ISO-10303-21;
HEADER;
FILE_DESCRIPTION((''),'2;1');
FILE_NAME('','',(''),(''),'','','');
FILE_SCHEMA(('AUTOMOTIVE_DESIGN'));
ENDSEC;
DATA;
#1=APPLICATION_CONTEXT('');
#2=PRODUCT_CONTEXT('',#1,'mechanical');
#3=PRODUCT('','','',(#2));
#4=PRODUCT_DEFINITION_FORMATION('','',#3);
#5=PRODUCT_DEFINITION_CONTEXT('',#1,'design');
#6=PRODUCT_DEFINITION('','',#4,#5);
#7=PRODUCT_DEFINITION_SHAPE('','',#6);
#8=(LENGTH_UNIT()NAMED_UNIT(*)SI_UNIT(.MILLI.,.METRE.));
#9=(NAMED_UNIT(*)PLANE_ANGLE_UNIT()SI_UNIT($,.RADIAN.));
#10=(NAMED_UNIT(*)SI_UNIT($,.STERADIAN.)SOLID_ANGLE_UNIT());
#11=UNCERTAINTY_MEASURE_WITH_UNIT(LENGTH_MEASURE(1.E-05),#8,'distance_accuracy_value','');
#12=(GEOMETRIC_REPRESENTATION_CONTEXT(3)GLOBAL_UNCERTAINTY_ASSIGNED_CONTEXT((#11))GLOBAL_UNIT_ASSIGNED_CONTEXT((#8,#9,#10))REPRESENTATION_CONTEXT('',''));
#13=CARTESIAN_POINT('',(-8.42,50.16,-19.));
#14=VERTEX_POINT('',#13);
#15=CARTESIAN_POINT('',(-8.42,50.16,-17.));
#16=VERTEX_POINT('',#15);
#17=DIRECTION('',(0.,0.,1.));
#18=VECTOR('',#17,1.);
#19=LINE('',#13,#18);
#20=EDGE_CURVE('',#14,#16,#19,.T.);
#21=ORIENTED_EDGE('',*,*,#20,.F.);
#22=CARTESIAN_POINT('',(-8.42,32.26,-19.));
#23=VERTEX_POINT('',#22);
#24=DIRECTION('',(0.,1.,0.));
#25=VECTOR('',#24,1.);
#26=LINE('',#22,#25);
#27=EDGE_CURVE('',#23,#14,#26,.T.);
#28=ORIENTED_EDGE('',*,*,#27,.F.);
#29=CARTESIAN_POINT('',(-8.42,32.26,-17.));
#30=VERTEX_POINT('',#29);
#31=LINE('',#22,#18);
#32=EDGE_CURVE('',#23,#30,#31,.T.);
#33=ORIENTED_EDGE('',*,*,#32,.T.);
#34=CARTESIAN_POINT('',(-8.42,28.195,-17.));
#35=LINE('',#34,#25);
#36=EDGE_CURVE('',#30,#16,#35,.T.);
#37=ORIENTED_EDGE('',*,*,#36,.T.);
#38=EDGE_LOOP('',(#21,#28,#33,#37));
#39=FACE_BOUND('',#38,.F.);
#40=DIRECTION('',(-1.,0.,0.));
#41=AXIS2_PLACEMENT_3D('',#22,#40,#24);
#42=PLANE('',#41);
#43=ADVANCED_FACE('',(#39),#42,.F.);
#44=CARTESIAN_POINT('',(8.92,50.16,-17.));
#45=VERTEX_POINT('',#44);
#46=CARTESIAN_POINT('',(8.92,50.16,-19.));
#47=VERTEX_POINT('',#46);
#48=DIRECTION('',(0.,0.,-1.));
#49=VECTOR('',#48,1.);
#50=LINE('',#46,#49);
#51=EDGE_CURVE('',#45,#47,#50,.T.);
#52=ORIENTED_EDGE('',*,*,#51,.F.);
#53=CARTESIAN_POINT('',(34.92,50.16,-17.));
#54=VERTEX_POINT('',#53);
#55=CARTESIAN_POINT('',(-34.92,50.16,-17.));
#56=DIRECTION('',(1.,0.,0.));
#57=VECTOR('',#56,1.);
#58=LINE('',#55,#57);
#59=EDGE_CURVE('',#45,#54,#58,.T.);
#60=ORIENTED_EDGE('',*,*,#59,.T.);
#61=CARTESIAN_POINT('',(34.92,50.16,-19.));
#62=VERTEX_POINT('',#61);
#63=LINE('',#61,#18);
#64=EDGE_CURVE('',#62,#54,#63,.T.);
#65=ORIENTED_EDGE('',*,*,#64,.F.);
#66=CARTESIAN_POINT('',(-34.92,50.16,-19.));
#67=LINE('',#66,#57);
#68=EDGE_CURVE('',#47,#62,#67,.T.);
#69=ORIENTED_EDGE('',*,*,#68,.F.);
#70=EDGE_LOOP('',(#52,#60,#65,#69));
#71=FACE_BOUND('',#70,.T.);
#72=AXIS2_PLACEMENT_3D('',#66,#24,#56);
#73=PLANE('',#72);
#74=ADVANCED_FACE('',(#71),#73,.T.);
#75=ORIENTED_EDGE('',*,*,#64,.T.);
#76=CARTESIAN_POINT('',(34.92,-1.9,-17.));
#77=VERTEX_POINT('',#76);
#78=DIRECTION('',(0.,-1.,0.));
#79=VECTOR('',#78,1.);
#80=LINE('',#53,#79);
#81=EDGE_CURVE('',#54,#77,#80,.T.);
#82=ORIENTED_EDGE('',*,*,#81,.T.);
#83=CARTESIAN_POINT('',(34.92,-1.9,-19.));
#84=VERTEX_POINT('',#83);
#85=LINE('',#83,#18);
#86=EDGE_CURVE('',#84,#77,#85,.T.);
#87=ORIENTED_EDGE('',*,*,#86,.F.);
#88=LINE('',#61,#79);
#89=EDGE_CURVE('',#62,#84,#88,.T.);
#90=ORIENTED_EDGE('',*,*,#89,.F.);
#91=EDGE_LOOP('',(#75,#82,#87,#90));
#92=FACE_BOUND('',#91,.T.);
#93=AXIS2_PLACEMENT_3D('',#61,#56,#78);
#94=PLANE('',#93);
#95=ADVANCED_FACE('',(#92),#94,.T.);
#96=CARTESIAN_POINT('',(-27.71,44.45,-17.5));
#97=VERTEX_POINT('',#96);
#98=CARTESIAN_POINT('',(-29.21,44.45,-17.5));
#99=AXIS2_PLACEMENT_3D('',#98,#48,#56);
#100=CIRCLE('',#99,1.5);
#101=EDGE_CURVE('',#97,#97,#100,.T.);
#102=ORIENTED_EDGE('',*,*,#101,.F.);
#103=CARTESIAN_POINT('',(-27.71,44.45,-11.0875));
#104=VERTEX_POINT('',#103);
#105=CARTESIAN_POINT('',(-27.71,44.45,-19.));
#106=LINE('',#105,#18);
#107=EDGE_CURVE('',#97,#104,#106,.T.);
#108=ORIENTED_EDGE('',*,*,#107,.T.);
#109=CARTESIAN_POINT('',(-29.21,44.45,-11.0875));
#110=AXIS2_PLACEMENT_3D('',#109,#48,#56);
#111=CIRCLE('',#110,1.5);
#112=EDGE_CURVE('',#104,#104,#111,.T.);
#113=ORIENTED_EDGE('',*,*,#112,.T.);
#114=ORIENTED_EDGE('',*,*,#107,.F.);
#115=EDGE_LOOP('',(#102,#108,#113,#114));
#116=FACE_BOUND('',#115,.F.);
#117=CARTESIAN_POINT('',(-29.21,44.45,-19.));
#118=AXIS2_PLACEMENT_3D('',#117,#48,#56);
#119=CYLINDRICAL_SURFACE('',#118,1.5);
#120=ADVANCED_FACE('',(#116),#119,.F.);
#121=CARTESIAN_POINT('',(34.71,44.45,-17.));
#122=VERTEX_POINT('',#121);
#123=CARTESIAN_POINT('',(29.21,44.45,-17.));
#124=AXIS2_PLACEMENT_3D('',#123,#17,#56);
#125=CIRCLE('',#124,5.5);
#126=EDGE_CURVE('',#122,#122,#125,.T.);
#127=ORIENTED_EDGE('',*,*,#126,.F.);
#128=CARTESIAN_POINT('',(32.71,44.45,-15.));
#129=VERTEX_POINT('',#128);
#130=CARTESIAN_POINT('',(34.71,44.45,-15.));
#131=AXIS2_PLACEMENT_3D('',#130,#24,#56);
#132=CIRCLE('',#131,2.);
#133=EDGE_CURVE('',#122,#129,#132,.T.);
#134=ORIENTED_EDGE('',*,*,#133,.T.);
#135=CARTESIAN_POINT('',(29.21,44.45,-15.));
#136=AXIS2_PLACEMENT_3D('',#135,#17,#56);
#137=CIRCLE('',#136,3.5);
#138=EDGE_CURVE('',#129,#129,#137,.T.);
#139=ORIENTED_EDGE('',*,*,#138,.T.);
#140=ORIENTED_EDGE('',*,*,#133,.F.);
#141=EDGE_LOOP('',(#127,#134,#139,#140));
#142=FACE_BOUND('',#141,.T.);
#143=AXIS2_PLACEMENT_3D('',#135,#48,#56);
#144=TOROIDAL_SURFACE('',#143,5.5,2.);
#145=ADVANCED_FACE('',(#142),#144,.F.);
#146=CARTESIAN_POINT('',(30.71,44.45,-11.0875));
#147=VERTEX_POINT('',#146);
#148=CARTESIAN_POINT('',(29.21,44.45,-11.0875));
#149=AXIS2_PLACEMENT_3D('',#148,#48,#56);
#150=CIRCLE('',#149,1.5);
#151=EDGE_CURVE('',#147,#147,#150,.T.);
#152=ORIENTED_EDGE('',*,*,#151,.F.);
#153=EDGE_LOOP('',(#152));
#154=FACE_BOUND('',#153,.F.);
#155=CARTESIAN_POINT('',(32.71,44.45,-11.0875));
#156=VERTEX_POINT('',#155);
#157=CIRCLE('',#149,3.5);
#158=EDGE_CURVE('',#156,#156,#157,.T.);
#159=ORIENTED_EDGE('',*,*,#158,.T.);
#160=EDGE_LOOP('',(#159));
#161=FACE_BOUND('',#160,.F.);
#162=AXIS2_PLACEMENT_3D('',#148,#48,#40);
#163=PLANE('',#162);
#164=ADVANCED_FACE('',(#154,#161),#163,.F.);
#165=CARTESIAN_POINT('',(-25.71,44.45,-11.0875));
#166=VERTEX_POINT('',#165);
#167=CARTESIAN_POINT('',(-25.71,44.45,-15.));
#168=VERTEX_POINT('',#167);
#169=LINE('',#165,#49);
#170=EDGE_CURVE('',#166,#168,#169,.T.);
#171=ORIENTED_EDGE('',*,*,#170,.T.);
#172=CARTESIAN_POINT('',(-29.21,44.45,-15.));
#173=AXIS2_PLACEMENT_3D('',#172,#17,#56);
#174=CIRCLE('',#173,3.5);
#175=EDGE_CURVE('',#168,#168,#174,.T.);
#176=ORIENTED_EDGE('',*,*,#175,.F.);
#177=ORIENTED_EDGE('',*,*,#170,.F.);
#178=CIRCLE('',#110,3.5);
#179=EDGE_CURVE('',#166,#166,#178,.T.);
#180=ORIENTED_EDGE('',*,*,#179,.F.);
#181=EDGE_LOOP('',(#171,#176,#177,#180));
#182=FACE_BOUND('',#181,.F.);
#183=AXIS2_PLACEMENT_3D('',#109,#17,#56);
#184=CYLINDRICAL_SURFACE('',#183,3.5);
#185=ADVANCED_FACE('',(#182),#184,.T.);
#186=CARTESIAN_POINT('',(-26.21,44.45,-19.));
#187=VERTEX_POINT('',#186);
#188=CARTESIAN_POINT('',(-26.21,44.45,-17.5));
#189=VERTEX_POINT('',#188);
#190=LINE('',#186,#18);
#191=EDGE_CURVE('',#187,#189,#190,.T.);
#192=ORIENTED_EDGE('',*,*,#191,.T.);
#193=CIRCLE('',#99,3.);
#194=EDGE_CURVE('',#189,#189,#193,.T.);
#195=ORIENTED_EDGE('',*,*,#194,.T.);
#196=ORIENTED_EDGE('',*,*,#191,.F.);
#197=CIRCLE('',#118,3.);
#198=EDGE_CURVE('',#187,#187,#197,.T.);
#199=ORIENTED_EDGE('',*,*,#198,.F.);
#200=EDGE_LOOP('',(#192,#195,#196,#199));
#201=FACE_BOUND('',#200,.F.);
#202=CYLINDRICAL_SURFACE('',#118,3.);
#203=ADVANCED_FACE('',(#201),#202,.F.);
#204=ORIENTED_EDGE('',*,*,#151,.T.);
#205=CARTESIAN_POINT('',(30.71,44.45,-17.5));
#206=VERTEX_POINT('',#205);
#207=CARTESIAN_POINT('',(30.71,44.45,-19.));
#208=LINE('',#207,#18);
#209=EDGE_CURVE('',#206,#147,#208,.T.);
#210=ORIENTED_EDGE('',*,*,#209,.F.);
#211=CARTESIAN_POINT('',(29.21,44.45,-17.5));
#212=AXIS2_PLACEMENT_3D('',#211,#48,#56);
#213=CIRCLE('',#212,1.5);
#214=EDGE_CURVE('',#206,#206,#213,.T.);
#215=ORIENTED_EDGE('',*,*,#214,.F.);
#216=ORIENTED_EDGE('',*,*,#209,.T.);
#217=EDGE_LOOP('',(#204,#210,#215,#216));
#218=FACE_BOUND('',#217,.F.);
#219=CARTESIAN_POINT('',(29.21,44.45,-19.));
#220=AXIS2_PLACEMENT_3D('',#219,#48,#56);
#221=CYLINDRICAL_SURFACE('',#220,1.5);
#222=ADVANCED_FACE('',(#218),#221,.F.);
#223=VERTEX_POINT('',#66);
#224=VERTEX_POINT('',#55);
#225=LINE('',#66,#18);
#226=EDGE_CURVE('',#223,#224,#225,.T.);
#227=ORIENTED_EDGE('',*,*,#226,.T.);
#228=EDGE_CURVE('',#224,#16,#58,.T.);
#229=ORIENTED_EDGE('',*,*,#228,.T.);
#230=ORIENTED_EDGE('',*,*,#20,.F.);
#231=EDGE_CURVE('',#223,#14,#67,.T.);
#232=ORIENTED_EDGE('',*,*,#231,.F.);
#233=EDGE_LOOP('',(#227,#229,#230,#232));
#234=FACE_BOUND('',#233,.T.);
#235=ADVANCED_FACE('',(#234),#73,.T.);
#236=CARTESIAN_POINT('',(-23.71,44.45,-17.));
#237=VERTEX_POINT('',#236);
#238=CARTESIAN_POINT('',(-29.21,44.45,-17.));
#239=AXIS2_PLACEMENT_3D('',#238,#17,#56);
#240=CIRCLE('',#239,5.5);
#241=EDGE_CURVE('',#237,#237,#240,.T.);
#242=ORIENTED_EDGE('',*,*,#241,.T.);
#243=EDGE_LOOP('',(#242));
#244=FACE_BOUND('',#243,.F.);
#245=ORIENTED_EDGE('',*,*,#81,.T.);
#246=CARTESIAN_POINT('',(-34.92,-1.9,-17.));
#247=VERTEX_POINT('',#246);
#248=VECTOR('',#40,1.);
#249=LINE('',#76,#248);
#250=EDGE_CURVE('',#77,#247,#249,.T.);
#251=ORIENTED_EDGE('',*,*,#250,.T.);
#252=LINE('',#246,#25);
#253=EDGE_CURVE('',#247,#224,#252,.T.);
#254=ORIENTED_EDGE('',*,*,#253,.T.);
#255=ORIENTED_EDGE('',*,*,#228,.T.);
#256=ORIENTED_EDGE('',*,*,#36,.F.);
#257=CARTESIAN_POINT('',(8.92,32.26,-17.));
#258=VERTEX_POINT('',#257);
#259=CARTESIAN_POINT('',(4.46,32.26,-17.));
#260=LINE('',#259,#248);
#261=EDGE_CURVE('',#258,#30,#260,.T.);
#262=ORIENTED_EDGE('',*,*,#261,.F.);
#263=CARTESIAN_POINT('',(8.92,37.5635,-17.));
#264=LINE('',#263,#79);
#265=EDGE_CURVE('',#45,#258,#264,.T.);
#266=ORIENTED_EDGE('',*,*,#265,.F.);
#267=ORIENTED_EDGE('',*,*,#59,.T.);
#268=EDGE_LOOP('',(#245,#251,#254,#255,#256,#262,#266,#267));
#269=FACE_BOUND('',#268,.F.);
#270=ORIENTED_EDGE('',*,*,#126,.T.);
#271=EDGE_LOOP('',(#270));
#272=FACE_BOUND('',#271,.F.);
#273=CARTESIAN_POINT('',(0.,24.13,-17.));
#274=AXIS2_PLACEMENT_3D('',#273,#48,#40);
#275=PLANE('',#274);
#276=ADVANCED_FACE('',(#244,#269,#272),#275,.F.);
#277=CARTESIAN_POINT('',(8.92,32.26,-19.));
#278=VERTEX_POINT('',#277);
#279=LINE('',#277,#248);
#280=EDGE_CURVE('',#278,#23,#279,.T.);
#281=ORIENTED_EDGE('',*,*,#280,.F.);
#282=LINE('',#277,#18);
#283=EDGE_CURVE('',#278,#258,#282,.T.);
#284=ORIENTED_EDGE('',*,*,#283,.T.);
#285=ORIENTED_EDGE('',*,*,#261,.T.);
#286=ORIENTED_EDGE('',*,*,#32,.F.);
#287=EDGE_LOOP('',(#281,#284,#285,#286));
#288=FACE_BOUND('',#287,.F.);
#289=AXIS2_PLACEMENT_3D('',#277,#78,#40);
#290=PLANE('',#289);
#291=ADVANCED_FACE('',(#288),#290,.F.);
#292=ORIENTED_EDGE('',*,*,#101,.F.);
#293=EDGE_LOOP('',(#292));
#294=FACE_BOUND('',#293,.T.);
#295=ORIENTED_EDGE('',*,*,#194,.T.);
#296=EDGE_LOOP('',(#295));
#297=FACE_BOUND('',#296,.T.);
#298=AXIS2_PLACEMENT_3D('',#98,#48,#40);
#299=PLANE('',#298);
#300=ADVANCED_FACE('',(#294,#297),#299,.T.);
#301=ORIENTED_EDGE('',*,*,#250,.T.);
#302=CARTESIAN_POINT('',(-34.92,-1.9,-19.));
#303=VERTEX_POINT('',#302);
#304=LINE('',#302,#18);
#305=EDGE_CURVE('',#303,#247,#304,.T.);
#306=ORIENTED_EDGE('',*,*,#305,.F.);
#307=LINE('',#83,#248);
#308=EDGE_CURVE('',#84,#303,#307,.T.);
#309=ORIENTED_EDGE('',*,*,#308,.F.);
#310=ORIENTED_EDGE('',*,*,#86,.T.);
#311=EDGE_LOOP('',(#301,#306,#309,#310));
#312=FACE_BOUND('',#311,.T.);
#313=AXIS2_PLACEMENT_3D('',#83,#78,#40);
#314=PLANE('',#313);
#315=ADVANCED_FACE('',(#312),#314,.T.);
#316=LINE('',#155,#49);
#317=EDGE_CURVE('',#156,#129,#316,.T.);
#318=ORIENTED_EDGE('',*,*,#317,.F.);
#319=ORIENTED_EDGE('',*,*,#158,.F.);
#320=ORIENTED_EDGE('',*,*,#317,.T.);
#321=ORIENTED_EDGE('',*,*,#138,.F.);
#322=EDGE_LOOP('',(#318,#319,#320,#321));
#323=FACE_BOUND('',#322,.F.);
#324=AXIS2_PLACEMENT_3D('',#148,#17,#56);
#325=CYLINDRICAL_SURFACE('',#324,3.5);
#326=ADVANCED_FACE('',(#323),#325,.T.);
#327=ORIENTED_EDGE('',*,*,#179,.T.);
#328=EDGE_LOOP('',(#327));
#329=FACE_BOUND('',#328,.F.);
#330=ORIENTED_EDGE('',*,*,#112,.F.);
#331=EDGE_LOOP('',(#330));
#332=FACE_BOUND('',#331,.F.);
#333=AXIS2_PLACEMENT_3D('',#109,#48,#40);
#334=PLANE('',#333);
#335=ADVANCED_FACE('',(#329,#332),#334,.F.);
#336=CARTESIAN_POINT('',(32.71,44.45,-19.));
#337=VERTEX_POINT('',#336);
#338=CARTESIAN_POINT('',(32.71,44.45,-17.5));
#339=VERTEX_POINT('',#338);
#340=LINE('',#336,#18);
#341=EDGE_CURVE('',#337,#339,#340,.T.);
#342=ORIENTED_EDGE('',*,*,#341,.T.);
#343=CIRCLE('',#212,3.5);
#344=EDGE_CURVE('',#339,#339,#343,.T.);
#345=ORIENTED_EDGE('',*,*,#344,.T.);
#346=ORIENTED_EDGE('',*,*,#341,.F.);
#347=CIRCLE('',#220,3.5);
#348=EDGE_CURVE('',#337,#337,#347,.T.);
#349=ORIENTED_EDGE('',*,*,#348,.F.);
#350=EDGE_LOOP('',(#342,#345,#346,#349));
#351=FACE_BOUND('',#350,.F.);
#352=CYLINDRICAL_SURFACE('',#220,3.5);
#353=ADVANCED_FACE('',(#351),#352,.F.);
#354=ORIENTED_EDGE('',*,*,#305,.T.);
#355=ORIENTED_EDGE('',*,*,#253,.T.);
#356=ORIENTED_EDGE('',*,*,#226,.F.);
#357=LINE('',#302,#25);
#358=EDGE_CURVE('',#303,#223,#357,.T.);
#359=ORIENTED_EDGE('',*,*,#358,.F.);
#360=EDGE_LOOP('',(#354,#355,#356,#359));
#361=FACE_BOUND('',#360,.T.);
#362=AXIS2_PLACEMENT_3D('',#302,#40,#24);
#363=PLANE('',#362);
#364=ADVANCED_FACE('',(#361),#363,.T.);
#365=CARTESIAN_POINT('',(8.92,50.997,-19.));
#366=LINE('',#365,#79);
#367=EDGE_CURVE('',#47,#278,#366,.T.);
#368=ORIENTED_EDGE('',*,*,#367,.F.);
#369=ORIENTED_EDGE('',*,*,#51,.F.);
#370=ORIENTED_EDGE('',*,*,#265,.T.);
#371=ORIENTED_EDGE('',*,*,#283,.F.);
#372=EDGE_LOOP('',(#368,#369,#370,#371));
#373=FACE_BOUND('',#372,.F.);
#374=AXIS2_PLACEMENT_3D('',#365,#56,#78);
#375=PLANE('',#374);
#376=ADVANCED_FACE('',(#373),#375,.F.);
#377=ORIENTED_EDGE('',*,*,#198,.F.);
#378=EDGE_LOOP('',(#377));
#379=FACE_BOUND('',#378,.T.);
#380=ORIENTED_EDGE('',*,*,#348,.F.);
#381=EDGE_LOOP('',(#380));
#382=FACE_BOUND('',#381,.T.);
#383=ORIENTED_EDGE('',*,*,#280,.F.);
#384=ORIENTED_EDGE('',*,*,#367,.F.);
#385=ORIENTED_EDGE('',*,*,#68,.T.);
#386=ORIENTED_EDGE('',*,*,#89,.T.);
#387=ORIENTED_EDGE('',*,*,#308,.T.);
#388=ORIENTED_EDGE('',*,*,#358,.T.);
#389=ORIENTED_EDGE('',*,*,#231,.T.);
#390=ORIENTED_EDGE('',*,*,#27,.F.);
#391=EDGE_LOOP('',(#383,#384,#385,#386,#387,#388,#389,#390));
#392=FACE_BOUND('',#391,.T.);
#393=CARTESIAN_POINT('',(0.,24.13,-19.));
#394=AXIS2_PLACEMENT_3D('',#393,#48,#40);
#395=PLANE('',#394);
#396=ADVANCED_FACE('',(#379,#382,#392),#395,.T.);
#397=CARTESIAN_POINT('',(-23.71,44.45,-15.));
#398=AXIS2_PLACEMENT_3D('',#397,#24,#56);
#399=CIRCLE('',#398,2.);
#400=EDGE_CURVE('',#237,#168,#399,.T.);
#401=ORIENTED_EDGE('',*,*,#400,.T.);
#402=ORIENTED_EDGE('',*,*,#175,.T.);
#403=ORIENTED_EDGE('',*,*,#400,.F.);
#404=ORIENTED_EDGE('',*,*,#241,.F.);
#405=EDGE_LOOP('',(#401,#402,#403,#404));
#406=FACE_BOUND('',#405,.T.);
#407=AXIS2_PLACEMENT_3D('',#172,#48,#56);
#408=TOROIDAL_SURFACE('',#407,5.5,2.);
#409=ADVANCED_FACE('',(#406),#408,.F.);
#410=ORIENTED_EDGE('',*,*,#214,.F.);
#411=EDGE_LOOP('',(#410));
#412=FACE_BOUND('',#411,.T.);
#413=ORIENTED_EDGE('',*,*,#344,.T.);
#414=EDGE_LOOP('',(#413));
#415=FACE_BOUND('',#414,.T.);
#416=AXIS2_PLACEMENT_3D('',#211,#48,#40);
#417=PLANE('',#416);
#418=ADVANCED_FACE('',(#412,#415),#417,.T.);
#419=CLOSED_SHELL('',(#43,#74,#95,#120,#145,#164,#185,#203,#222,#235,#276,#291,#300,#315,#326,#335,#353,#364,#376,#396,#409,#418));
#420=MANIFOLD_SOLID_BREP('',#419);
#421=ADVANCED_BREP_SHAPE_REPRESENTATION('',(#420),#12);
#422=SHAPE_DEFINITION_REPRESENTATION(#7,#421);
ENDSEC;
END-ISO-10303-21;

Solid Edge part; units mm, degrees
sketch "Sketch1" plane through (0, 24.13, -19) normal (0, 0, -1) x (1, 0, 0)
  line L0 (-34.92, -26.03) -> (34.92, -26.03)
  line L1 (34.92, -26.03) -> (34.92, 26.03)
  line L2 (34.92, 26.03) -> (-34.92, 26.03)
  line L3 (-34.92, 26.03) -> (-34.92, -26.03)
  dimension "D1" = 0.1
  dimension "D2" = 0.1
  dimension "D3" = 0.1
  dimension "D4" = 0.1
extrude "Protrusion1" add sketch "Sketch1" against normal blind 2
sketch "Sketch2" plane through (-29.21, 44.45, -11.0875) normal (0, 0, -1) x (1, 0, 0)
  circle A0 centre (0, 0) radius 3.5
  circle A1 centre (58.42, 0) radius 3.5
extrude "ExtrudedProtrusion_2" add sketch "Sketch2" along normal up to next
sketch "Sketch3" plane through (0, 24.13, -19) normal (0, 0, -1) x (1, 0, 0)
  circle A0 centre (-29.21, -20.32) radius 1.5
  circle A1 centre (29.21, -20.32) radius 1.5
  dimension "D1" = 3
extrude "Cutout1" cut sketch "Sketch3" against normal up to next
sketch "Sketch4" plane through (0, 24.13, -19) normal (0, 0, -1) x (1, 0, 0)
  circle A0 centre (-29.21, -20.32) radius 3
  circle A1 centre (29.21, -20.32) radius 3.5
  dimension "D1" = 6
extrude "ExtrudedCutout_2" cut sketch "Sketch4" against normal blind 1.5
sketch "Sketch5" plane through (0, 24.13, -19) normal (0, 0, -1) x (1, 0, 0)
  line L0 (-8.42, -26.867) -> (8.92, -26.867)
  line L1 (8.92, -26.867) -> (8.92, -8.13)
  line L2 (8.92, -8.13) -> (-8.42, -8.13)
  line L3 (-8.42, -8.13) -> (-8.42, -26.867)
  dimension "D1" = 26.5
  dimension "D2" = 26
  dimension "D3" = 18
  dimension "D4" = 18.737
extrude "Cutout2" cut sketch "Sketch5" against normal through all
fillet "Round_1" radius 2 2 edges at (32.71, 44.45, -17) (-25.71, 44.45, -17)
